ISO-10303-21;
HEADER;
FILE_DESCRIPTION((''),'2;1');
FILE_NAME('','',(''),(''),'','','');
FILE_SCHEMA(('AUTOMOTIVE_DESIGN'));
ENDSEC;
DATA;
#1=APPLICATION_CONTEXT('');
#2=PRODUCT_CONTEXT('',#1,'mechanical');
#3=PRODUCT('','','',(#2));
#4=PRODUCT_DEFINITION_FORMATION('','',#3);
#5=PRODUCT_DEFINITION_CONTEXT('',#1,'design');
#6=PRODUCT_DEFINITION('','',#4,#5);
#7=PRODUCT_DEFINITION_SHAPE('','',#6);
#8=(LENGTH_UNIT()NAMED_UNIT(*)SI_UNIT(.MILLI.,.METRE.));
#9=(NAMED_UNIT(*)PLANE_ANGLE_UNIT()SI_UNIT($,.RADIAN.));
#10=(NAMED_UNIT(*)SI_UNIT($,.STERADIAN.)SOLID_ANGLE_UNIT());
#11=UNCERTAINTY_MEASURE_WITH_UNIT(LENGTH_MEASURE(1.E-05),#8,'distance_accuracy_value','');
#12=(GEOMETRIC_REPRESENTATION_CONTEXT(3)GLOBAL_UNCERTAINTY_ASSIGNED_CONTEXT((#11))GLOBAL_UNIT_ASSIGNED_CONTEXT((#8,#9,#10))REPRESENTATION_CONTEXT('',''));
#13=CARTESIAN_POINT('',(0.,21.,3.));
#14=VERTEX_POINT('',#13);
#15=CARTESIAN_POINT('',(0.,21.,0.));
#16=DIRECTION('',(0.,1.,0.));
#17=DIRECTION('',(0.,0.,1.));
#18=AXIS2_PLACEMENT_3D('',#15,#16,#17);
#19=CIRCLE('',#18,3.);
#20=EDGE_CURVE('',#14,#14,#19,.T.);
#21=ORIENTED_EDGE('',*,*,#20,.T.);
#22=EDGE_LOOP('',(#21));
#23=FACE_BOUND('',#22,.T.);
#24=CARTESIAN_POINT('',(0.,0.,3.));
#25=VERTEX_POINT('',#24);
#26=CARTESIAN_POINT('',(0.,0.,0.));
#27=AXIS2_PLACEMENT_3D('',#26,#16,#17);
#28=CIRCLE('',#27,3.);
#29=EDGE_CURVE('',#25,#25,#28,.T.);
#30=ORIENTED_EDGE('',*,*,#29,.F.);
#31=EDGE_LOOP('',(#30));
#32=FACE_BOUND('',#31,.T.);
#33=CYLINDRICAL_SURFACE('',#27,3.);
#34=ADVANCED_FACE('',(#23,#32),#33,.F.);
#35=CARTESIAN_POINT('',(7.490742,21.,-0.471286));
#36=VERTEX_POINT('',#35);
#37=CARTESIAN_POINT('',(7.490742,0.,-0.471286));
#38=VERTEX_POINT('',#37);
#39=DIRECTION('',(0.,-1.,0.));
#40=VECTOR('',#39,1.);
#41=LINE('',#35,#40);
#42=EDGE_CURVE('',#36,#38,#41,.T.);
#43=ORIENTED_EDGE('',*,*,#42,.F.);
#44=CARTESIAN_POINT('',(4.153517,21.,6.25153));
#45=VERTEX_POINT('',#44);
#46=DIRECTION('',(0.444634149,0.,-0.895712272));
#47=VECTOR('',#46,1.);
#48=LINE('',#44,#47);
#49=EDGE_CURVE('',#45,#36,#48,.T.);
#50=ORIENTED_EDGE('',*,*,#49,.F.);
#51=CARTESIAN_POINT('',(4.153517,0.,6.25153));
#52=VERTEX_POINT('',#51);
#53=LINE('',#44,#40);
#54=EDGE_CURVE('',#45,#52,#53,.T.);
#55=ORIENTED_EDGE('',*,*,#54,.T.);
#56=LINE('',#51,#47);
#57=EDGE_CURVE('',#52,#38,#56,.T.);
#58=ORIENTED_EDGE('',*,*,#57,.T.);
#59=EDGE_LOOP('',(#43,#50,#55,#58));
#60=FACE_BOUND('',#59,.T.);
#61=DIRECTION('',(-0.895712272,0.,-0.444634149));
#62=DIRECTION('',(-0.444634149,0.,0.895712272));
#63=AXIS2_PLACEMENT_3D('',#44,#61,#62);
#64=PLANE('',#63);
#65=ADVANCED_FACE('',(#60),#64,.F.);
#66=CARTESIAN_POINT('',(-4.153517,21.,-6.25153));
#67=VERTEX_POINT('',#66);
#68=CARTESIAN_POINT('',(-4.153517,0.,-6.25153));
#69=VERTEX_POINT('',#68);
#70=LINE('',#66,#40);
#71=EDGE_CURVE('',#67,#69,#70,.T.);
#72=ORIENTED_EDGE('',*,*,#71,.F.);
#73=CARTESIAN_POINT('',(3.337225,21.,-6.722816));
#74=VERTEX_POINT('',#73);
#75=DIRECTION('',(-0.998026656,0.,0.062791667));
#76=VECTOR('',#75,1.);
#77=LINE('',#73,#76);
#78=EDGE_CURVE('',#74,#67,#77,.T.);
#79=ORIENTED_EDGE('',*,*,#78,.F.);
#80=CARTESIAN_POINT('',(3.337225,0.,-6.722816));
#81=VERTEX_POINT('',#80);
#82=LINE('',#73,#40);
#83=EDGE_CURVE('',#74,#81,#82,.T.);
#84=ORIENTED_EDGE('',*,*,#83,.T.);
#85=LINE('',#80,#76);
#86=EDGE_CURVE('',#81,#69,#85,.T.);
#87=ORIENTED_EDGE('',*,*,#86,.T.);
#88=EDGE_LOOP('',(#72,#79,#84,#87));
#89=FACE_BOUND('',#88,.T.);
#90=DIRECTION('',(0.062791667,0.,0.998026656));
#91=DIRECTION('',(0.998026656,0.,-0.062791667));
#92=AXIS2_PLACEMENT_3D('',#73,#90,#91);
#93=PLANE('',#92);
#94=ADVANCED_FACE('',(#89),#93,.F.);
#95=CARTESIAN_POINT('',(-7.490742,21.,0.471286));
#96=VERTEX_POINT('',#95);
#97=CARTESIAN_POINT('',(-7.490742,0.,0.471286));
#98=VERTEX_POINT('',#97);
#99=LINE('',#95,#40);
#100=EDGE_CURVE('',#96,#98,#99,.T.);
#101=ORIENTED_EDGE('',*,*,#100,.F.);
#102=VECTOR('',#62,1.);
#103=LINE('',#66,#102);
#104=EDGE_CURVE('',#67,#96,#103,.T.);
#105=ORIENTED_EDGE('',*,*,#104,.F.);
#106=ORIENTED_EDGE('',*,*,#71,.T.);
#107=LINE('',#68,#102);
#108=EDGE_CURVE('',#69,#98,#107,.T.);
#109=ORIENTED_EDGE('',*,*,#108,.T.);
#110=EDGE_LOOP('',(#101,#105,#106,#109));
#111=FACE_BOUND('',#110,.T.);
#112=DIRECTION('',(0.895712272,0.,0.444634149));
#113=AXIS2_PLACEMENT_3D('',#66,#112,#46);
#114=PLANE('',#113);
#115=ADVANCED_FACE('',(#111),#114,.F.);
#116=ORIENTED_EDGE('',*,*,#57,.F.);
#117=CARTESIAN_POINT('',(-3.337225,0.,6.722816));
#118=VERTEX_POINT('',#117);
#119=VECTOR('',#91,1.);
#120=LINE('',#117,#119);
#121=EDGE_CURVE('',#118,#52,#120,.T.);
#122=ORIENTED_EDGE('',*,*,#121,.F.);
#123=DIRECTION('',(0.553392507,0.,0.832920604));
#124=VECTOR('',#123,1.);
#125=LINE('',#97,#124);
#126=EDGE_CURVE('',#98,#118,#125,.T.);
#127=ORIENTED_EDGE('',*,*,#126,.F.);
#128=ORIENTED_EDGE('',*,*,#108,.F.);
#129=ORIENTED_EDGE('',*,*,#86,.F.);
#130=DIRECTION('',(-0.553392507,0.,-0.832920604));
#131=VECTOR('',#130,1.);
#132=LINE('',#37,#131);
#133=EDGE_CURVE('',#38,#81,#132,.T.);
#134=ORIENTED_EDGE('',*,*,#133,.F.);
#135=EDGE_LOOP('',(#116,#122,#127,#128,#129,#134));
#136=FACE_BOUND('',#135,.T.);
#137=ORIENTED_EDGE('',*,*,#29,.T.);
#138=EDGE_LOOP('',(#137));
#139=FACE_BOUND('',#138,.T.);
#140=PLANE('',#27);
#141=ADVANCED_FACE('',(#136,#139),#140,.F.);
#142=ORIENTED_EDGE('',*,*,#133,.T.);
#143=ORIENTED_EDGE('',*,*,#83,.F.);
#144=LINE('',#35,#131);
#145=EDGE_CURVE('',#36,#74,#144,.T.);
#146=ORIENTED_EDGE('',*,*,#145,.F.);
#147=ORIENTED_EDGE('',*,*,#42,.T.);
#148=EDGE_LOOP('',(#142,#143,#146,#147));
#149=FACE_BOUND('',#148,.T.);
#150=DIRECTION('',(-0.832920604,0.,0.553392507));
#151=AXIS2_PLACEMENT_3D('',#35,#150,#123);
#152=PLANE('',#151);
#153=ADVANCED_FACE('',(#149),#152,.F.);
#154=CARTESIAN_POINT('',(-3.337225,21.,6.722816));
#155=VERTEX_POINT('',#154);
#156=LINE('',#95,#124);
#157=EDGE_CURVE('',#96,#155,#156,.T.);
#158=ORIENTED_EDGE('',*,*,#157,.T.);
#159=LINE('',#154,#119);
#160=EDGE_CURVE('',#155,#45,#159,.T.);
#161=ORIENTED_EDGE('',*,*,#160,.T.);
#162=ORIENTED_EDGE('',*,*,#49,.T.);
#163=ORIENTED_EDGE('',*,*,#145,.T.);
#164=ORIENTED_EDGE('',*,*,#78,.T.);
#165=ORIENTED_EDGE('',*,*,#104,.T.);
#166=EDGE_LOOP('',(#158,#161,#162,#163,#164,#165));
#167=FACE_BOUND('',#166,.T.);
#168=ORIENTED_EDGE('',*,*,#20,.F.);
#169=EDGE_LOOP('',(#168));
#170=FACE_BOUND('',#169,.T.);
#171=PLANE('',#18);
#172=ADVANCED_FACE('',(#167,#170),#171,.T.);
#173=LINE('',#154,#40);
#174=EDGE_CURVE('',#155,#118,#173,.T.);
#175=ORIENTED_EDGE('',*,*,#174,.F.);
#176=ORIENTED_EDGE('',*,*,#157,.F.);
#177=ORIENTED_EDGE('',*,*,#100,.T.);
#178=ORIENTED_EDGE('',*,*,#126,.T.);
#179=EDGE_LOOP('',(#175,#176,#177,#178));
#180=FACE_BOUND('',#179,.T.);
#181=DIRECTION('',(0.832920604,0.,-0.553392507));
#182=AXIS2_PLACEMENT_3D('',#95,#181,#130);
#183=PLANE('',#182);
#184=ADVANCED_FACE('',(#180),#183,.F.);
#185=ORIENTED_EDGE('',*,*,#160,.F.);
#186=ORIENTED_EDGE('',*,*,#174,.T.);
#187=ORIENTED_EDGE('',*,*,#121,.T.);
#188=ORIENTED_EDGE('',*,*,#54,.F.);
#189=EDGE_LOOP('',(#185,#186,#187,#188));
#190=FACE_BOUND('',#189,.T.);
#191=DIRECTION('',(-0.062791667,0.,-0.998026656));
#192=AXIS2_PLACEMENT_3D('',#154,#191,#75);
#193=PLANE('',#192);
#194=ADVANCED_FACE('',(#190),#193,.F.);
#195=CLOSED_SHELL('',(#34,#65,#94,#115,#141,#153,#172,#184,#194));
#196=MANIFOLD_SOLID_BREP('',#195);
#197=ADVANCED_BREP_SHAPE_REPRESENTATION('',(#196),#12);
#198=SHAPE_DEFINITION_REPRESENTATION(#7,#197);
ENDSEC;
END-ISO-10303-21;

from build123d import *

# Parameters (mm, degrees)
EXTRUDE_1_DEPTH     = 21
SKETCH_2_R          = 3
CUT_EXTRUDE_1_DEPTH = 22


with BuildPart() as part:
    # Эскиз1 → Бобышка-Вытянуть1 (new body)
    with BuildSketch(Plane(origin=(0, 0, 0), x_dir=(1, 0, 0), z_dir=(0, 1, 0))):
        Polygon((-3.337225394, -6.722816374), (4.153517068, -6.251530157), (7.490742462, 0.471286217), (3.337225394, 6.722816374), (-4.153517068, 6.251530157), (-7.490742462, -0.471286217), align=None)
    extrude(amount=EXTRUDE_1_DEPTH)

    # Эскиз2 → Вырез-Вытянуть1 (cut, through all)
    with BuildSketch(Plane(origin=(0, 21, 0), x_dir=(1, 0, 0), z_dir=(0, 1, 0))):
        Circle(SKETCH_2_R)
    extrude(amount=-CUT_EXTRUDE_1_DEPTH, mode=Mode.SUBTRACT)


solid = part.part
